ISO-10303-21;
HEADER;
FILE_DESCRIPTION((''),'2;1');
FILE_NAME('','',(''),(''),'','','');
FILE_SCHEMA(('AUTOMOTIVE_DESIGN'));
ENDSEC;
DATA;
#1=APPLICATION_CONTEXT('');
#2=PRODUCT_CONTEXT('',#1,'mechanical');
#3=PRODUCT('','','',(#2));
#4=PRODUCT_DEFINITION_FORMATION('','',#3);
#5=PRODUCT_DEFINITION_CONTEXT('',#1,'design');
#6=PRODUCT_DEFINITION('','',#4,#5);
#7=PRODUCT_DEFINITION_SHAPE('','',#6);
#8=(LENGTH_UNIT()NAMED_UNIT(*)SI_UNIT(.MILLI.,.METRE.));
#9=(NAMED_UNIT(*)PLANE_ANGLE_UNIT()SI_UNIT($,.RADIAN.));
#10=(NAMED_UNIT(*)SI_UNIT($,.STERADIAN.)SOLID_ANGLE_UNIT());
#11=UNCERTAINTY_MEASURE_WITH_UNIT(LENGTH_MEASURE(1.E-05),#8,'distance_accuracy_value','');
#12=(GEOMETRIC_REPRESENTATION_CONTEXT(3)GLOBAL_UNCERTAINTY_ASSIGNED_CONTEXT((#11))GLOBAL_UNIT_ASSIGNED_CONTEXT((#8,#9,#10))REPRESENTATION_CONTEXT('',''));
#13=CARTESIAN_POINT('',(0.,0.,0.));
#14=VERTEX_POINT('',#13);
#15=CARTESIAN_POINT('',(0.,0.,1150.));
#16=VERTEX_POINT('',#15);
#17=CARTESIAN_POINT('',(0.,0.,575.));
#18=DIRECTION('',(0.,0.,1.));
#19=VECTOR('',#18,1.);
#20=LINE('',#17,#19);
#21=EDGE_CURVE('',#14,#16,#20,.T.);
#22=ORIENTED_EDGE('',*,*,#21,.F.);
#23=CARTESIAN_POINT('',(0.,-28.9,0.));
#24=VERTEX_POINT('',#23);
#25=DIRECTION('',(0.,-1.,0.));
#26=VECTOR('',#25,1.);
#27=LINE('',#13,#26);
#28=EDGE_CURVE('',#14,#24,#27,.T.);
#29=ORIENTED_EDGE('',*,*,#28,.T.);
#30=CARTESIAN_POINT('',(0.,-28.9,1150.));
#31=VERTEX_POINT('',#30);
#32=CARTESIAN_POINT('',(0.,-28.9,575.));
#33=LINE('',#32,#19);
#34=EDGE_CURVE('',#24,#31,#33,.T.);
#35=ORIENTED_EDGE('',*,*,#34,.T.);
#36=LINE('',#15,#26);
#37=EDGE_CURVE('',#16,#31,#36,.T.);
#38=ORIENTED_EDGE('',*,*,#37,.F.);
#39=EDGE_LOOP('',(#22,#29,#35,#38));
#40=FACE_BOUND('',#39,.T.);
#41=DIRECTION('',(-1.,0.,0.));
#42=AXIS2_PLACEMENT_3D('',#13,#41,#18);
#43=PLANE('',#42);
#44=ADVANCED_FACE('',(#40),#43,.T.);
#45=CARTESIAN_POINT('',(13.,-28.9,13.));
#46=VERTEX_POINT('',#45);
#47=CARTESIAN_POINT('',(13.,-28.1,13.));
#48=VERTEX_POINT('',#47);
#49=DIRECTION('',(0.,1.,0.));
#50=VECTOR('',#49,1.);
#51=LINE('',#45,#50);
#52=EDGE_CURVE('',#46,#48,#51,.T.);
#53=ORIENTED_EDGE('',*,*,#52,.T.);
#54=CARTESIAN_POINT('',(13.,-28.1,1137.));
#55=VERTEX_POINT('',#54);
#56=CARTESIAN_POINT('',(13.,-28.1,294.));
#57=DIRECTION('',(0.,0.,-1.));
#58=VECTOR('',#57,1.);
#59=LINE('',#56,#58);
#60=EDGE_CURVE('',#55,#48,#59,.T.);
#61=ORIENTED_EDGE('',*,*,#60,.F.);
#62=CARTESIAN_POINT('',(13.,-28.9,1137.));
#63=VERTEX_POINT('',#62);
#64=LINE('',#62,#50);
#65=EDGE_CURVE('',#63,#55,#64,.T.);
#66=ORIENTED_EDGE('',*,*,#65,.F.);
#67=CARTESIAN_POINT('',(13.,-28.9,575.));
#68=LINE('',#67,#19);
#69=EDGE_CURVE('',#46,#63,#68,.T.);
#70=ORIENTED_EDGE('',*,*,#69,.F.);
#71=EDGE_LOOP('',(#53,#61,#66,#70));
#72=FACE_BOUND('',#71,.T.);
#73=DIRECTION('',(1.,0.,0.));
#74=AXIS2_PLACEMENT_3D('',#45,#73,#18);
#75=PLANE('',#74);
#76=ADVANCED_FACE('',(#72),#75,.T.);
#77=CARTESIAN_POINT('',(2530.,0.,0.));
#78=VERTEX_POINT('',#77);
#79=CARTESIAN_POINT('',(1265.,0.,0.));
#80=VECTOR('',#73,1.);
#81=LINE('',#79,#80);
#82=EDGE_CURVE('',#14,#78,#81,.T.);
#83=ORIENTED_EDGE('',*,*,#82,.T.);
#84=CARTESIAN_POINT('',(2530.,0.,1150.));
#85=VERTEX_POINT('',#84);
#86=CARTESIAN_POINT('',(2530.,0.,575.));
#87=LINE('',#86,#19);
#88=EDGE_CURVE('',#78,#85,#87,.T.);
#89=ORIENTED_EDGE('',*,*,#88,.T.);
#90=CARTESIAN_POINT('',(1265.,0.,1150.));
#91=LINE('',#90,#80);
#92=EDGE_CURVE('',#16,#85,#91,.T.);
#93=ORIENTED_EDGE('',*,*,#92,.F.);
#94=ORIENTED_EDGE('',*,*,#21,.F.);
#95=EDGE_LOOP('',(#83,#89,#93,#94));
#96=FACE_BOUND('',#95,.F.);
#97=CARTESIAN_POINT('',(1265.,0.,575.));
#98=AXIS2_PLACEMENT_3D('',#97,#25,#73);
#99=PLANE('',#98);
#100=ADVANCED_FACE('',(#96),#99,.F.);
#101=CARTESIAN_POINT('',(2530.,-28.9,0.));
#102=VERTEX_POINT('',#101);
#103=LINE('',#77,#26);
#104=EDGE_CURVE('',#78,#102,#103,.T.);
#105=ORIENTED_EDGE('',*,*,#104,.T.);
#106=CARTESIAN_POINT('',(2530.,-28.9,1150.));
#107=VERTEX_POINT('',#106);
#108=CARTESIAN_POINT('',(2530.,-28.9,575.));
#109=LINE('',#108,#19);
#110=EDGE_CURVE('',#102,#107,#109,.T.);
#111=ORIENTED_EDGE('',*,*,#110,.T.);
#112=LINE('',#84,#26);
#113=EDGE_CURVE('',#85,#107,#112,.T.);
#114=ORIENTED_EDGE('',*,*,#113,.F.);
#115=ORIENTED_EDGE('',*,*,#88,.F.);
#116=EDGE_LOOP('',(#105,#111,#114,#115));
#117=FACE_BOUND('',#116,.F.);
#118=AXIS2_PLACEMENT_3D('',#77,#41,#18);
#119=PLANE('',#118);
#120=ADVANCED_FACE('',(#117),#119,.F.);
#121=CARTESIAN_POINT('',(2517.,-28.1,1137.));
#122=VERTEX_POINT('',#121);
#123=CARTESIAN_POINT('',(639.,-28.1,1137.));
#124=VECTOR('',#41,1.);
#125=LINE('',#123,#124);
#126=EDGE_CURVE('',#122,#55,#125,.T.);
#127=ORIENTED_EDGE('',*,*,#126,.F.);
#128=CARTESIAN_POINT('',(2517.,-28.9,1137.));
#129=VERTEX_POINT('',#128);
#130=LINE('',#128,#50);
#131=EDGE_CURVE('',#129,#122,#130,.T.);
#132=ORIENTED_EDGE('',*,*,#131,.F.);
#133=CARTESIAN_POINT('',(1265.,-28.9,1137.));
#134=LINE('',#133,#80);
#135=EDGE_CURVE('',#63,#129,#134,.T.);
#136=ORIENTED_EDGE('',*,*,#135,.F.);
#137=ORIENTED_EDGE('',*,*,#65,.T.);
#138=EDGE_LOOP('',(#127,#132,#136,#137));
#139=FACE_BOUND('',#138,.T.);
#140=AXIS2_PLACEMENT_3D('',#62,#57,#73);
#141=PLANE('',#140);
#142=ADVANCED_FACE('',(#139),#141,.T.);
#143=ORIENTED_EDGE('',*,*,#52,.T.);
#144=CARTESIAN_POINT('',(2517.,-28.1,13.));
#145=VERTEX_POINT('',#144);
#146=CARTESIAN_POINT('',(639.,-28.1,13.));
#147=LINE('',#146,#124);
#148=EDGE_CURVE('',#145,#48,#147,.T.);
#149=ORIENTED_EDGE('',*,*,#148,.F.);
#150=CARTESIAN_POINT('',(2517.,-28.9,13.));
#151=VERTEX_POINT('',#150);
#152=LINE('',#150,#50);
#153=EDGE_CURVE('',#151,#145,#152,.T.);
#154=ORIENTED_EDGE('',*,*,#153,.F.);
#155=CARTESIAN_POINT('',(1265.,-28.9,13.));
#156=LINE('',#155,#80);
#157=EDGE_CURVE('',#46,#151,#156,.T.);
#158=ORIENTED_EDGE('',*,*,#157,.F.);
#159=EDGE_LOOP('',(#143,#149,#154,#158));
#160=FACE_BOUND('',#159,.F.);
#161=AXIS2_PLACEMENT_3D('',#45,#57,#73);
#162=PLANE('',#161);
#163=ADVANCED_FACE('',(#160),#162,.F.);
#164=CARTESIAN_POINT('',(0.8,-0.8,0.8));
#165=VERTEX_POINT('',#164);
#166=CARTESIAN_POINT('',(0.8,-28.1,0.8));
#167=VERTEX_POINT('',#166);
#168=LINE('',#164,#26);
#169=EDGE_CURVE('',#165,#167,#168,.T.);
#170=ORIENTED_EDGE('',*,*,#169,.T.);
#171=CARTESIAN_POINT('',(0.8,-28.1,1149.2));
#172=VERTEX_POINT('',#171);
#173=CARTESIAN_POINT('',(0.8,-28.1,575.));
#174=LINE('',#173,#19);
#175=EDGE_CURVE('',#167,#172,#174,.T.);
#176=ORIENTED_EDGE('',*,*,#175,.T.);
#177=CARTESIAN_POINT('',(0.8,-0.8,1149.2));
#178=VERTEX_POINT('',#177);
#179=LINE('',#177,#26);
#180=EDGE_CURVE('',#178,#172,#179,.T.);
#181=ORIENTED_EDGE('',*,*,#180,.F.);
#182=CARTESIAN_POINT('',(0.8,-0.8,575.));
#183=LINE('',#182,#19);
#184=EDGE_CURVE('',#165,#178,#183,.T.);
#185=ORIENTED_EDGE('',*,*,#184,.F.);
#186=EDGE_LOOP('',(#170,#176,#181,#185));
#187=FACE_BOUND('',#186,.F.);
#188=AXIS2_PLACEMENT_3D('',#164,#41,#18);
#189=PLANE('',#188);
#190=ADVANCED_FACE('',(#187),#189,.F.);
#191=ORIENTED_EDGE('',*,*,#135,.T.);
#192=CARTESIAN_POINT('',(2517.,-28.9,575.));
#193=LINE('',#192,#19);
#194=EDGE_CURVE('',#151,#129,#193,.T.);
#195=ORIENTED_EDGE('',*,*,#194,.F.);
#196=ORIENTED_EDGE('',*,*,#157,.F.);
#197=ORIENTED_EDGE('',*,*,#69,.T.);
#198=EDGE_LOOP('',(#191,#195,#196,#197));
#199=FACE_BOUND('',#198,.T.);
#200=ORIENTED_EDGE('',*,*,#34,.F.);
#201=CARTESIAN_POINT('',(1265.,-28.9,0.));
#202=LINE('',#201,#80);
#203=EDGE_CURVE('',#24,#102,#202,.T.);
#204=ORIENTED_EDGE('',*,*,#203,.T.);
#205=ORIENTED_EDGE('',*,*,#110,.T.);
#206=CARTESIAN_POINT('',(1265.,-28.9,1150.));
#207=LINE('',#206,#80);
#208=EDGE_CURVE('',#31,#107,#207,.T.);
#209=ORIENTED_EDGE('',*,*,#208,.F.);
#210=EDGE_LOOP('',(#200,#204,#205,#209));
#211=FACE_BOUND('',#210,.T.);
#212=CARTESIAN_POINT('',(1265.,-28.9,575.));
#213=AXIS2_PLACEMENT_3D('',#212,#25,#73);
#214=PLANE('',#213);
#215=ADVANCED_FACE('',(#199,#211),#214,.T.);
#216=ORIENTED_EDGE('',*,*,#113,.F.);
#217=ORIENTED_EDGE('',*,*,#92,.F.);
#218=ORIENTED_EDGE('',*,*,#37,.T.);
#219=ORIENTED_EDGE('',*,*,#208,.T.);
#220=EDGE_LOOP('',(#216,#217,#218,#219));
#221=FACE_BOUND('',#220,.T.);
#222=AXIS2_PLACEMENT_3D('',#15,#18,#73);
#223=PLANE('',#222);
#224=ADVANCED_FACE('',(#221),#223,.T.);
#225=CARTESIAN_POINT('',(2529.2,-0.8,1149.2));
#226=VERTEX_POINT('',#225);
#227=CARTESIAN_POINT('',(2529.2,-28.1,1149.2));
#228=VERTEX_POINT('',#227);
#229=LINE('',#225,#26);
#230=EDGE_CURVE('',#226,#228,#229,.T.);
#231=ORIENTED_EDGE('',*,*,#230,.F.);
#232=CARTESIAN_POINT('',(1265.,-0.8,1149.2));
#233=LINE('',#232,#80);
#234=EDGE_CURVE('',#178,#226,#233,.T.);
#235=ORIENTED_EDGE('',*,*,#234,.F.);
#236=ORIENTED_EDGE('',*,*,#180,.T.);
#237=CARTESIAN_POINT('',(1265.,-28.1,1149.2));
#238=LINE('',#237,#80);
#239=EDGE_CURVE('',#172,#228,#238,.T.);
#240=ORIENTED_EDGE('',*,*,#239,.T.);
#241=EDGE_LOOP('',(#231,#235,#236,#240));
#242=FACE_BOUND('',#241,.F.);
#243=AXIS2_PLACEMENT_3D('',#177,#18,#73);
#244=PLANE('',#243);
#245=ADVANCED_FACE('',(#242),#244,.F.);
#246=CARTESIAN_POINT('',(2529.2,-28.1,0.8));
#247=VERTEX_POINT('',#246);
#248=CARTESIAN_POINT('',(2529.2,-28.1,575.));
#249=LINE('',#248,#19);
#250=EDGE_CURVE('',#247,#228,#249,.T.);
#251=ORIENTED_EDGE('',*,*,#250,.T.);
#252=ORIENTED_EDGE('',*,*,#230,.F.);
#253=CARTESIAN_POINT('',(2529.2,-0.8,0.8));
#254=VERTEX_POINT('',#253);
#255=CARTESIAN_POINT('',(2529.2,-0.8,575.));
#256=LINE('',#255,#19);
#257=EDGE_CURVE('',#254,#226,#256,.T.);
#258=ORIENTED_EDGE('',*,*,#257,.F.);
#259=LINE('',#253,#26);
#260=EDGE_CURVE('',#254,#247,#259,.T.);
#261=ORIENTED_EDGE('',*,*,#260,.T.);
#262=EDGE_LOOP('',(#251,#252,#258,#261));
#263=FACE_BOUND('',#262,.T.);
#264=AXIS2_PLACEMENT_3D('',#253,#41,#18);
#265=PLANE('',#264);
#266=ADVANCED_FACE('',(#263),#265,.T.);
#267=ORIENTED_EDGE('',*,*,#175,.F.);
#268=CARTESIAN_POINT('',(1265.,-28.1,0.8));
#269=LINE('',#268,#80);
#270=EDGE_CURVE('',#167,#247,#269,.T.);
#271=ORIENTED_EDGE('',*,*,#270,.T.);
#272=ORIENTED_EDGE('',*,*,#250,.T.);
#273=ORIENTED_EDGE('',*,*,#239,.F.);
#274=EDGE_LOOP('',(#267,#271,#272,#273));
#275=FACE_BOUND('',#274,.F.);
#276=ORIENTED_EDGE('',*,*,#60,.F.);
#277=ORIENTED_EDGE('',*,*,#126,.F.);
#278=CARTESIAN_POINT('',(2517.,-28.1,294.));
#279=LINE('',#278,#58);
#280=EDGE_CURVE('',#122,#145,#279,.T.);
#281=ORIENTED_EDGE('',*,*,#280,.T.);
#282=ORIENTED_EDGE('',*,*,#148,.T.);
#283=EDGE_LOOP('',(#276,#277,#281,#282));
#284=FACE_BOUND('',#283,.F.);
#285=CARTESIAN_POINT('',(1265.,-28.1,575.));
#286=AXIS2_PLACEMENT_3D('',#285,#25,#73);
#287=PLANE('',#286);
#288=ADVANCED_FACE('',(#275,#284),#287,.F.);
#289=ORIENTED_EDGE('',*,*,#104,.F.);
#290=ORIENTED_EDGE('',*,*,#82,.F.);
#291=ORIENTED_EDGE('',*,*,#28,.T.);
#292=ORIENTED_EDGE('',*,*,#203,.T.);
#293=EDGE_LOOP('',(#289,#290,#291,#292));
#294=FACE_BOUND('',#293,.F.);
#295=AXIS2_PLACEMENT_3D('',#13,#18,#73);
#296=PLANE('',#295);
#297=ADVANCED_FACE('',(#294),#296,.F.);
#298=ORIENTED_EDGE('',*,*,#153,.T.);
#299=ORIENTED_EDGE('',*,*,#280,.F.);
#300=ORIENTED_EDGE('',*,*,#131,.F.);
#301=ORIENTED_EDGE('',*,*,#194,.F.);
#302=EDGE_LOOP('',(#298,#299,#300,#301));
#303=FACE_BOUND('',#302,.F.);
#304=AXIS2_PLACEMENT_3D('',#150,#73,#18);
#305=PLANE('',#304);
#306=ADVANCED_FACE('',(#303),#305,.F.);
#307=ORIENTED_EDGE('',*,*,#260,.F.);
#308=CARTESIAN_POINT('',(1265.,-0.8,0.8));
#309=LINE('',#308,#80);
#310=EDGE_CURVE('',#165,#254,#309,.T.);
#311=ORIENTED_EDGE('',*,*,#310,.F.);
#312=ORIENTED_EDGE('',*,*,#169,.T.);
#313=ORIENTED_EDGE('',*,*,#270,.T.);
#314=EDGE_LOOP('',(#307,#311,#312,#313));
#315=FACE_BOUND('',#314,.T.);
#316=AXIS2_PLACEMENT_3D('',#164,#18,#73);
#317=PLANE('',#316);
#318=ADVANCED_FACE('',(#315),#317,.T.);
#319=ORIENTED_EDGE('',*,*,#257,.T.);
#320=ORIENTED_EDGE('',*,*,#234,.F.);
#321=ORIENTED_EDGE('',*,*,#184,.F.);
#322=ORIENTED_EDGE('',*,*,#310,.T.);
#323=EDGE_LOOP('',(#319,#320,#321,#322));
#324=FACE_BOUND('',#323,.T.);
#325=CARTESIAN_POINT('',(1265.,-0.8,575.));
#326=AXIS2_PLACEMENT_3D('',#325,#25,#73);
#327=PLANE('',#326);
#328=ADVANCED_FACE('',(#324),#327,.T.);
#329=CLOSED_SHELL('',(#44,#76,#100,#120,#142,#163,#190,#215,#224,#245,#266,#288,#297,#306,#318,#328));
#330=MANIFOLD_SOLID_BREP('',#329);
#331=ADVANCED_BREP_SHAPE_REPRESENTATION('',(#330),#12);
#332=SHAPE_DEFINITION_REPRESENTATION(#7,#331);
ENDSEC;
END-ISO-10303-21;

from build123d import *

# Parameters (mm, degrees)
F0_W     = 2530
F0_H     = 1150
F1_DEPTH = 28.9
F2_W     = 2504
F2_H     = 1124
F3_DEPTH = 28.1
F4_W     = 2528.4
F4_H     = 1148.4
F5_DEPTH = 27.3


with BuildPart() as f1:
    # F0 (on Front) → F1 (new body)
    with BuildSketch(Plane.XZ):
        with Locations((1265, 575)):
            Rectangle(F0_W, F0_H)
    extrude(amount=F1_DEPTH)

    # F2 (on face) → F3 (cut)
    with BuildSketch(Plane.XZ.offset(28.9)):
        with Locations((1265, 575)):
            Rectangle(F2_W, F2_H)
    extrude(amount=-F3_DEPTH, mode=Mode.SUBTRACT)

    # F4 (on face) → F5 (cut)
    with BuildSketch(Plane.XZ.offset(0.8)):
        with Locations((1265, 575)):
            Rectangle(F4_W, F4_H)
    extrude(amount=F5_DEPTH, mode=Mode.SUBTRACT)


solid = f1.part
